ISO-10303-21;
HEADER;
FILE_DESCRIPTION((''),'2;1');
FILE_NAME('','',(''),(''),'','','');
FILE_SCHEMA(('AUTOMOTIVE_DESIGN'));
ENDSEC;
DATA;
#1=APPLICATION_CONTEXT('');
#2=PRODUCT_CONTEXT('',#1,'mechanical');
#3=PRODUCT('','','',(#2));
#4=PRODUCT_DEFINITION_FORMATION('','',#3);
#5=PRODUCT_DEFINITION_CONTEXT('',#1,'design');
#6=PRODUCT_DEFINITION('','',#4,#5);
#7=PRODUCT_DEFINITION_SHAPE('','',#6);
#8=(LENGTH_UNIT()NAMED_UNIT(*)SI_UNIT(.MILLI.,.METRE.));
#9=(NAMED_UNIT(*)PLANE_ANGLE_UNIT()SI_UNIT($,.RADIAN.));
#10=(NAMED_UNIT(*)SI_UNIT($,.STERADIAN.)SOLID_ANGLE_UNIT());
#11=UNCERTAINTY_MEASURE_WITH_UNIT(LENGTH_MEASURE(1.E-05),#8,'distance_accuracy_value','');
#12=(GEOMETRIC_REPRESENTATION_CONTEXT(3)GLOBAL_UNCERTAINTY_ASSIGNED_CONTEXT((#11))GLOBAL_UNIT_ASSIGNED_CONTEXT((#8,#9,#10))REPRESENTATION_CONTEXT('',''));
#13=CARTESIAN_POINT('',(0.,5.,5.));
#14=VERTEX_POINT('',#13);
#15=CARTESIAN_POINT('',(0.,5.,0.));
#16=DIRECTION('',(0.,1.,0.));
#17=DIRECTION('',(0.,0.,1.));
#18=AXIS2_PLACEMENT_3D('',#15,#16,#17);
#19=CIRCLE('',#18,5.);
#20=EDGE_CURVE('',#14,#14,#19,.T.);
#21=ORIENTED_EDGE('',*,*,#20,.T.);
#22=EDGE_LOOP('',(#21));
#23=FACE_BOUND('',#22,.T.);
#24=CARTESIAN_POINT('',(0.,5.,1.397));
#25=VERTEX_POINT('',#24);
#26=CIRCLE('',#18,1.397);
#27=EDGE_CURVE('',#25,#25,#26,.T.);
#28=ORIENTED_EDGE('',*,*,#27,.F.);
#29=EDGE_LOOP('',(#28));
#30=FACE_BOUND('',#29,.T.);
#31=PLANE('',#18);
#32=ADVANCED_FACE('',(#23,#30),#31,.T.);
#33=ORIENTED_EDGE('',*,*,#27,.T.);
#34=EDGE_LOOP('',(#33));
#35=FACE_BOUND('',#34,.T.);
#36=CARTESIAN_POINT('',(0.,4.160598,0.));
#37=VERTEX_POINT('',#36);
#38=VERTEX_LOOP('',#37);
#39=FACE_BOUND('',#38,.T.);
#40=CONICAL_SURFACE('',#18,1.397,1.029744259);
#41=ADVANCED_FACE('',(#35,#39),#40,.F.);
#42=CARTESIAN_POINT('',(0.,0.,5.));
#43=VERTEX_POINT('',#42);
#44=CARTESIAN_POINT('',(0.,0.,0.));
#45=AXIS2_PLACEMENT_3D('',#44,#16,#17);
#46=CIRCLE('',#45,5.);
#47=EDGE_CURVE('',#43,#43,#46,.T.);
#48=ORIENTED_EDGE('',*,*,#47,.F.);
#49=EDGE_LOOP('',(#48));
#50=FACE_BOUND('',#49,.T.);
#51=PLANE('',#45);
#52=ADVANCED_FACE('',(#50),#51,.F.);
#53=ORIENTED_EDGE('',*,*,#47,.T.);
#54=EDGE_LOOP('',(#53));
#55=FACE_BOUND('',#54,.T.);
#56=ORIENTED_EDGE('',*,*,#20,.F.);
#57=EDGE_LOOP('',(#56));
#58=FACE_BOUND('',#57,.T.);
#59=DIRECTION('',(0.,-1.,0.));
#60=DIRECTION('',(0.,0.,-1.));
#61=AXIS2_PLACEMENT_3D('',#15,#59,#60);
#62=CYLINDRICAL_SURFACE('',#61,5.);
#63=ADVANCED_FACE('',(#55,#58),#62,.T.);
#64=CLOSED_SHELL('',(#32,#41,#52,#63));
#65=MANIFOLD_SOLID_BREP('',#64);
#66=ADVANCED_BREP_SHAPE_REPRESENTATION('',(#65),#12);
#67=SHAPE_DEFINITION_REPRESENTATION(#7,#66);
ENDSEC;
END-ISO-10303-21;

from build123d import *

# Parameters (mm, degrees)
ESQUISSE1_R                                  = 5
BOSS_EXTRU_1_DEPTH                           = 5
CHAMBRAGE_POUR_VIS_T_TE_RONDE_BOMB_E_A_COUNT = 2
CHAMBRAGE_POUR_VIS_T_TE_RONDE_BOMB_E_A_PITCH = 152
CHAMBRAGE_POUR_VIS_T_TE_RONDE_BOMB_2_COUNT   = 2
CHAMBRAGE_POUR_VIS_T_TE_RONDE_BOMB_2_PITCH   = 111
CHAMBRAGE_POUR_VIS_T_TE_RONDE_BOMB_3_COUNT   = 2
CHAMBRAGE_POUR_VIS_T_TE_RONDE_BOMB_3_PITCH   = 188.215302247
CHAMBRAGE_POUR_VIS_T_TE_RONDE_BOMB_4_A_COUNT = 2
CHAMBRAGE_POUR_VIS_T_TE_RONDE_BOMB_4_A_PITCH = 152
CHAMBRAGE_POUR_VIS_T_TE_RONDE_BOMB_5_COUNT   = 2
CHAMBRAGE_POUR_VIS_T_TE_RONDE_BOMB_5_PITCH   = 111
CHAMBRAGE_POUR_VIS_T_TE_RONDE_BOMB_6_COUNT   = 2
CHAMBRAGE_POUR_VIS_T_TE_RONDE_BOMB_6_PITCH   = 188.215302247


with BuildPart() as part:
    # Esquisse1 → Boss.-Extru.1 (new body)
    with BuildSketch(Plane(origin=(0, 0, 0), x_dir=(1, 0, 0), z_dir=(0, 1, 0))):
        with Locations(Location((0, 0, 0), (0, 0, 270))):
            Circle(ESQUISSE1_R)
    extrude(amount=BOSS_EXTRU_1_DEPTH)

    # Esquisse3 → Chambrage pour vis _ t_te ronde bomb_e (revolve, cut)
    with BuildSketch(Plane(origin=(0, 11, -152), x_dir=(0, 0, 1), z_dir=(1, 0, 0))):
        Polygon((0, 0), (0, 6.839402285), (1.397, 6), (1.397, 1.8034), (2.77876, 1.8034), (2.77876, 0.635), (3.41376, 0), align=None)
    chambrage_pour_vis_t_te_ronde_bomb_e = revolve(axis=Axis((0, 17.35, -152), (0, -1, 0)), mode=Mode.SUBTRACT)

    # Chambrage pour vis _ t_te ronde bomb_e a: Chambrage pour vis _ t_te ronde bomb_e ×2
    with Locations(*[(0, 0, i * CHAMBRAGE_POUR_VIS_T_TE_RONDE_BOMB_E_A_PITCH) for i in range(1, CHAMBRAGE_POUR_VIS_T_TE_RONDE_BOMB_E_A_COUNT)]):
        add(chambrage_pour_vis_t_te_ronde_bomb_e, mode=Mode.SUBTRACT)

    # Chambrage pour vis _ t_te ronde bomb 2: Chambrage pour vis _ t_te ronde bomb_e ×2
    with Locations(*[(i * CHAMBRAGE_POUR_VIS_T_TE_RONDE_BOMB_2_PITCH, 0, 0) for i in range(1, CHAMBRAGE_POUR_VIS_T_TE_RONDE_BOMB_2_COUNT)]):
        add(chambrage_pour_vis_t_te_ronde_bomb_e, mode=Mode.SUBTRACT)

    # Chambrage pour vis _ t_te ronde bomb 3: Chambrage pour vis _ t_te ronde bomb_e ×2
    with Locations(*[Vector(0.5897501354816591, 0, 0.8075857711100195) * (i * CHAMBRAGE_POUR_VIS_T_TE_RONDE_BOMB_3_PITCH) for i in range(1, CHAMBRAGE_POUR_VIS_T_TE_RONDE_BOMB_3_COUNT)]):
        add(chambrage_pour_vis_t_te_ronde_bomb_e, mode=Mode.SUBTRACT)

    # Esquisse5 → Chambrage pour vis _ t_te ronde bomb 4 (revolve, cut)
    with BuildSketch(Plane(origin=(0, 11, 0), x_dir=(0, 0, 1), z_dir=(1, 0, 0))):
        Polygon((0, 0), (0, 6.839402285), (1.397, 6), (1.397, 1.8034), (2.77876, 1.8034), (2.77876, 0.635), (3.41376, 0), align=None)
    chambrage_pour_vis_t_te_ronde_bomb_4 = revolve(axis=Axis((0, 17.35, 0), (0, -1, 0)), mode=Mode.SUBTRACT)

    # Chambrage pour vis _ t_te ronde bomb 4 a: Chambrage pour vis _ t_te ronde bomb 4 ×2
    with Locations(*[Vector(-0.4987370820513642, 0, -0.8667533230319286) * (i * CHAMBRAGE_POUR_VIS_T_TE_RONDE_BOMB_4_A_PITCH) for i in range(1, CHAMBRAGE_POUR_VIS_T_TE_RONDE_BOMB_4_A_COUNT)]):
        add(chambrage_pour_vis_t_te_ronde_bomb_4, mode=Mode.SUBTRACT)

    # Chambrage pour vis _ t_te ronde bomb 5: Chambrage pour vis _ t_te ronde bomb 4 ×2
    with Locations(*[Vector(-0.8667533230319285, 0, 0.4987370820513645) * (i * CHAMBRAGE_POUR_VIS_T_TE_RONDE_BOMB_5_PITCH) for i in range(1, CHAMBRAGE_POUR_VIS_T_TE_RONDE_BOMB_5_COUNT)]):
        add(chambrage_pour_vis_t_te_ronde_bomb_4, mode=Mode.SUBTRACT)

    # Chambrage pour vis _ t_te ronde bomb 6: Chambrage pour vis _ t_te ronde bomb 4 ×2
    with Locations(*[Vector(-0.9139408606768702, 0, -0.40584738903339235) * (i * CHAMBRAGE_POUR_VIS_T_TE_RONDE_BOMB_6_PITCH) for i in range(1, CHAMBRAGE_POUR_VIS_T_TE_RONDE_BOMB_6_COUNT)]):
        add(chambrage_pour_vis_t_te_ronde_bomb_4, mode=Mode.SUBTRACT)


solid = part.part
